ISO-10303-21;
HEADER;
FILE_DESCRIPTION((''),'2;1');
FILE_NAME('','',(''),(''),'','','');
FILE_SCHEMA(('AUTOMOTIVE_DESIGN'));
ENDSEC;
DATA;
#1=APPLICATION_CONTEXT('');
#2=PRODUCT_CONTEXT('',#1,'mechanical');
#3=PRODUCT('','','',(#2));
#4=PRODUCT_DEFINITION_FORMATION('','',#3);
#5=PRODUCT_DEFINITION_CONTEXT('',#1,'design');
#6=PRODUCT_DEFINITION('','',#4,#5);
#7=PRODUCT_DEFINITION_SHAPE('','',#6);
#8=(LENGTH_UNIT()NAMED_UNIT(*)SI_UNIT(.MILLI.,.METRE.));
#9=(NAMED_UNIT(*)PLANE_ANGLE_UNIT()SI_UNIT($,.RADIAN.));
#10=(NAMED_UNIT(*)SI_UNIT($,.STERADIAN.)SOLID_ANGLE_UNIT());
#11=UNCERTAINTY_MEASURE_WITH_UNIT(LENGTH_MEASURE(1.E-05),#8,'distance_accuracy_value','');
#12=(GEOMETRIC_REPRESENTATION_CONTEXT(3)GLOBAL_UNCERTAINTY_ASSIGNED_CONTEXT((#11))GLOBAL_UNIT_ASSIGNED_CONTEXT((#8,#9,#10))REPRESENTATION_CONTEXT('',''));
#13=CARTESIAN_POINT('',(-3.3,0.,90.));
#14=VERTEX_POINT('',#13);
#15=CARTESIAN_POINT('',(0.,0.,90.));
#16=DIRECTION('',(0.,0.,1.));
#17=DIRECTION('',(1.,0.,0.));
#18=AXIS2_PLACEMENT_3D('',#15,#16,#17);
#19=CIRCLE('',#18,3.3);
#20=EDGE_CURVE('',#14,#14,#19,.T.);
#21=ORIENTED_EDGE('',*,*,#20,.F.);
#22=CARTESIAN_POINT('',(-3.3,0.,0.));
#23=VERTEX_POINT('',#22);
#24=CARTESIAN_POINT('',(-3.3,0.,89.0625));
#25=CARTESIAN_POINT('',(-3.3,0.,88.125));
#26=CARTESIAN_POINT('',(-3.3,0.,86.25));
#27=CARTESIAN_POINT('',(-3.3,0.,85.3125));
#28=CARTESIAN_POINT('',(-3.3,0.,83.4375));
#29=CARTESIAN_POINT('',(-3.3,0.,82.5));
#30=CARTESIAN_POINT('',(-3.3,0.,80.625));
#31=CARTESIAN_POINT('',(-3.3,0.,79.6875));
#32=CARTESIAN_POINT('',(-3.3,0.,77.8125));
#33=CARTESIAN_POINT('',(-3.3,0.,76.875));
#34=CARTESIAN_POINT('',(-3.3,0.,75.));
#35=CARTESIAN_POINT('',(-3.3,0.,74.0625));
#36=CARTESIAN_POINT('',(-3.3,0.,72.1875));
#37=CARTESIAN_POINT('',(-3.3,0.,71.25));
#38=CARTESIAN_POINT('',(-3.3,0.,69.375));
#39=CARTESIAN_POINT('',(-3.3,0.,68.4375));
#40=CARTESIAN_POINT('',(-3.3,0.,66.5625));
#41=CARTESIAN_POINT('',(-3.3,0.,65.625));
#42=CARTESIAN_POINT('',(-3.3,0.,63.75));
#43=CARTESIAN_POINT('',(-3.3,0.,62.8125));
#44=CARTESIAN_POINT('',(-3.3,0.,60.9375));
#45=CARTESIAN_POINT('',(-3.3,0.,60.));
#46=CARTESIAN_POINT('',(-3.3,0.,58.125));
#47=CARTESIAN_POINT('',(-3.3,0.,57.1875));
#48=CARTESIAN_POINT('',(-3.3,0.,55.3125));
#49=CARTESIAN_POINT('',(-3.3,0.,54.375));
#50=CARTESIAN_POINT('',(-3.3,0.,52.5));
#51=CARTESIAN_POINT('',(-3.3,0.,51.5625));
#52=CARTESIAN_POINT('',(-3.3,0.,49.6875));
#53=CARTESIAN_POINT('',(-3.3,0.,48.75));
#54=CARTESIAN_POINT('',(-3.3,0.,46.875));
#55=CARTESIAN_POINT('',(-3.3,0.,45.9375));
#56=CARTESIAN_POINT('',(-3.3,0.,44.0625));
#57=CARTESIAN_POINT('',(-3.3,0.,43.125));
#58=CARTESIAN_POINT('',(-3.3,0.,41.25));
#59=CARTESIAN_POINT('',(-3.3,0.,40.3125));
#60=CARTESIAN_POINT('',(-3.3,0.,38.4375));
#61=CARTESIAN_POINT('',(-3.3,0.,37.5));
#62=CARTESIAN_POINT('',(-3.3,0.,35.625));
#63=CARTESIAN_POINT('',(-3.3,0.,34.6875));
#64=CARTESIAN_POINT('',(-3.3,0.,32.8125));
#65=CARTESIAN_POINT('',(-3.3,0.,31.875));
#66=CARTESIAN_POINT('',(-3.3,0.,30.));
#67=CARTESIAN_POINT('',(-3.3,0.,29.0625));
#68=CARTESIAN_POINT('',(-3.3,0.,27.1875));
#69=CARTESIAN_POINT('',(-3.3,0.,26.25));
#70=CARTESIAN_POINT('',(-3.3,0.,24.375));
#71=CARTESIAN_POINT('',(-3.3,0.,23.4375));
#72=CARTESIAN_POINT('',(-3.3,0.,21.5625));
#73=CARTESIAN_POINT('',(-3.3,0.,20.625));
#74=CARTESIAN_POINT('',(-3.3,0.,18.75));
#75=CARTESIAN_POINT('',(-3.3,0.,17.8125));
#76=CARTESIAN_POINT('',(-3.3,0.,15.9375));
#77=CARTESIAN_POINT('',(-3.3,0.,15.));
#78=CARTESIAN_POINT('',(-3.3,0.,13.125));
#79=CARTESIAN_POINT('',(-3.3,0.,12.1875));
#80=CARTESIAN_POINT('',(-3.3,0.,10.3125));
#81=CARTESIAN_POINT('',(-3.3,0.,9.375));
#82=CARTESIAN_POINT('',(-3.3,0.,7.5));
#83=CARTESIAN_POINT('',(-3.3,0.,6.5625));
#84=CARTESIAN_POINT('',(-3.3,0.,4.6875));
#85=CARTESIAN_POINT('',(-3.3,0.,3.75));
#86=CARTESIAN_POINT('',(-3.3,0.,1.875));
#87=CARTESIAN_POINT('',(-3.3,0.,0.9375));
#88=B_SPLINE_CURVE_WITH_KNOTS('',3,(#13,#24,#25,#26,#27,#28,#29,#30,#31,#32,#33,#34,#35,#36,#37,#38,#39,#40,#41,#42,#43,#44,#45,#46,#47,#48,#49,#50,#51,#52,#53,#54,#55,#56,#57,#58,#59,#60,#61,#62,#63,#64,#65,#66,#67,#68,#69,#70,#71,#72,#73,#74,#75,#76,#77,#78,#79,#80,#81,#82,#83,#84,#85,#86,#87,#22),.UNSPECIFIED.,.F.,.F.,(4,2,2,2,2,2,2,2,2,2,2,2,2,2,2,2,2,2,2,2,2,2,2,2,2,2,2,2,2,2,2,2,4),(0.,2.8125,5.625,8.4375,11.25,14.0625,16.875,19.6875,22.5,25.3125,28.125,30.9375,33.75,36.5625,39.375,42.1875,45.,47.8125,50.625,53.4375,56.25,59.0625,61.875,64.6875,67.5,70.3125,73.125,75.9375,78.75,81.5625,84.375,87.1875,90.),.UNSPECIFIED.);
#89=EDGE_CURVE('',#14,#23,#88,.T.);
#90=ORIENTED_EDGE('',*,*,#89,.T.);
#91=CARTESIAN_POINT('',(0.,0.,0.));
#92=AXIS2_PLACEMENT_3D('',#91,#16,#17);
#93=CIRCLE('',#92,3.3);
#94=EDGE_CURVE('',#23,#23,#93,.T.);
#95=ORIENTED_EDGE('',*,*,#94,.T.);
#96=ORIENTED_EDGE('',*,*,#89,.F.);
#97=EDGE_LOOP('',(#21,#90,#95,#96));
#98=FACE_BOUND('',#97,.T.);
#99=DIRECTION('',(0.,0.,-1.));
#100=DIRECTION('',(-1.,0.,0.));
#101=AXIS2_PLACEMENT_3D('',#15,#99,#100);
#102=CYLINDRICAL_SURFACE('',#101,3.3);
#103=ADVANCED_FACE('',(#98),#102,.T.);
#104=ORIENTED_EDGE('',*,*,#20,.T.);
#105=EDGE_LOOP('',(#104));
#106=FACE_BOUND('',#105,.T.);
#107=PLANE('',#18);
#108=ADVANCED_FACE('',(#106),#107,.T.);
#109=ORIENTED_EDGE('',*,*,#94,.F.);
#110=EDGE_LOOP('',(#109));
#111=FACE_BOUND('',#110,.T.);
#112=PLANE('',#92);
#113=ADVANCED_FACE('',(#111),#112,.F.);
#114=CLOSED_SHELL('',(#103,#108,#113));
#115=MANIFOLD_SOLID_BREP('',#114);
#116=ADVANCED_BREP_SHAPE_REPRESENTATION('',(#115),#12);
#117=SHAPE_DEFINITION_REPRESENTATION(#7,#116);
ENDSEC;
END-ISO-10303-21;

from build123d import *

# Parameters (mm, degrees)
SKETCH1_R           = 3.3
BOSS_EXTRUDE1_DEPTH = 90


with BuildPart() as part:
    # Sketch1 → Boss-Extrude1 (new body)
    with BuildSketch(Plane.XY):
        Circle(SKETCH1_R)
    extrude(amount=BOSS_EXTRUDE1_DEPTH)


solid = part.part
